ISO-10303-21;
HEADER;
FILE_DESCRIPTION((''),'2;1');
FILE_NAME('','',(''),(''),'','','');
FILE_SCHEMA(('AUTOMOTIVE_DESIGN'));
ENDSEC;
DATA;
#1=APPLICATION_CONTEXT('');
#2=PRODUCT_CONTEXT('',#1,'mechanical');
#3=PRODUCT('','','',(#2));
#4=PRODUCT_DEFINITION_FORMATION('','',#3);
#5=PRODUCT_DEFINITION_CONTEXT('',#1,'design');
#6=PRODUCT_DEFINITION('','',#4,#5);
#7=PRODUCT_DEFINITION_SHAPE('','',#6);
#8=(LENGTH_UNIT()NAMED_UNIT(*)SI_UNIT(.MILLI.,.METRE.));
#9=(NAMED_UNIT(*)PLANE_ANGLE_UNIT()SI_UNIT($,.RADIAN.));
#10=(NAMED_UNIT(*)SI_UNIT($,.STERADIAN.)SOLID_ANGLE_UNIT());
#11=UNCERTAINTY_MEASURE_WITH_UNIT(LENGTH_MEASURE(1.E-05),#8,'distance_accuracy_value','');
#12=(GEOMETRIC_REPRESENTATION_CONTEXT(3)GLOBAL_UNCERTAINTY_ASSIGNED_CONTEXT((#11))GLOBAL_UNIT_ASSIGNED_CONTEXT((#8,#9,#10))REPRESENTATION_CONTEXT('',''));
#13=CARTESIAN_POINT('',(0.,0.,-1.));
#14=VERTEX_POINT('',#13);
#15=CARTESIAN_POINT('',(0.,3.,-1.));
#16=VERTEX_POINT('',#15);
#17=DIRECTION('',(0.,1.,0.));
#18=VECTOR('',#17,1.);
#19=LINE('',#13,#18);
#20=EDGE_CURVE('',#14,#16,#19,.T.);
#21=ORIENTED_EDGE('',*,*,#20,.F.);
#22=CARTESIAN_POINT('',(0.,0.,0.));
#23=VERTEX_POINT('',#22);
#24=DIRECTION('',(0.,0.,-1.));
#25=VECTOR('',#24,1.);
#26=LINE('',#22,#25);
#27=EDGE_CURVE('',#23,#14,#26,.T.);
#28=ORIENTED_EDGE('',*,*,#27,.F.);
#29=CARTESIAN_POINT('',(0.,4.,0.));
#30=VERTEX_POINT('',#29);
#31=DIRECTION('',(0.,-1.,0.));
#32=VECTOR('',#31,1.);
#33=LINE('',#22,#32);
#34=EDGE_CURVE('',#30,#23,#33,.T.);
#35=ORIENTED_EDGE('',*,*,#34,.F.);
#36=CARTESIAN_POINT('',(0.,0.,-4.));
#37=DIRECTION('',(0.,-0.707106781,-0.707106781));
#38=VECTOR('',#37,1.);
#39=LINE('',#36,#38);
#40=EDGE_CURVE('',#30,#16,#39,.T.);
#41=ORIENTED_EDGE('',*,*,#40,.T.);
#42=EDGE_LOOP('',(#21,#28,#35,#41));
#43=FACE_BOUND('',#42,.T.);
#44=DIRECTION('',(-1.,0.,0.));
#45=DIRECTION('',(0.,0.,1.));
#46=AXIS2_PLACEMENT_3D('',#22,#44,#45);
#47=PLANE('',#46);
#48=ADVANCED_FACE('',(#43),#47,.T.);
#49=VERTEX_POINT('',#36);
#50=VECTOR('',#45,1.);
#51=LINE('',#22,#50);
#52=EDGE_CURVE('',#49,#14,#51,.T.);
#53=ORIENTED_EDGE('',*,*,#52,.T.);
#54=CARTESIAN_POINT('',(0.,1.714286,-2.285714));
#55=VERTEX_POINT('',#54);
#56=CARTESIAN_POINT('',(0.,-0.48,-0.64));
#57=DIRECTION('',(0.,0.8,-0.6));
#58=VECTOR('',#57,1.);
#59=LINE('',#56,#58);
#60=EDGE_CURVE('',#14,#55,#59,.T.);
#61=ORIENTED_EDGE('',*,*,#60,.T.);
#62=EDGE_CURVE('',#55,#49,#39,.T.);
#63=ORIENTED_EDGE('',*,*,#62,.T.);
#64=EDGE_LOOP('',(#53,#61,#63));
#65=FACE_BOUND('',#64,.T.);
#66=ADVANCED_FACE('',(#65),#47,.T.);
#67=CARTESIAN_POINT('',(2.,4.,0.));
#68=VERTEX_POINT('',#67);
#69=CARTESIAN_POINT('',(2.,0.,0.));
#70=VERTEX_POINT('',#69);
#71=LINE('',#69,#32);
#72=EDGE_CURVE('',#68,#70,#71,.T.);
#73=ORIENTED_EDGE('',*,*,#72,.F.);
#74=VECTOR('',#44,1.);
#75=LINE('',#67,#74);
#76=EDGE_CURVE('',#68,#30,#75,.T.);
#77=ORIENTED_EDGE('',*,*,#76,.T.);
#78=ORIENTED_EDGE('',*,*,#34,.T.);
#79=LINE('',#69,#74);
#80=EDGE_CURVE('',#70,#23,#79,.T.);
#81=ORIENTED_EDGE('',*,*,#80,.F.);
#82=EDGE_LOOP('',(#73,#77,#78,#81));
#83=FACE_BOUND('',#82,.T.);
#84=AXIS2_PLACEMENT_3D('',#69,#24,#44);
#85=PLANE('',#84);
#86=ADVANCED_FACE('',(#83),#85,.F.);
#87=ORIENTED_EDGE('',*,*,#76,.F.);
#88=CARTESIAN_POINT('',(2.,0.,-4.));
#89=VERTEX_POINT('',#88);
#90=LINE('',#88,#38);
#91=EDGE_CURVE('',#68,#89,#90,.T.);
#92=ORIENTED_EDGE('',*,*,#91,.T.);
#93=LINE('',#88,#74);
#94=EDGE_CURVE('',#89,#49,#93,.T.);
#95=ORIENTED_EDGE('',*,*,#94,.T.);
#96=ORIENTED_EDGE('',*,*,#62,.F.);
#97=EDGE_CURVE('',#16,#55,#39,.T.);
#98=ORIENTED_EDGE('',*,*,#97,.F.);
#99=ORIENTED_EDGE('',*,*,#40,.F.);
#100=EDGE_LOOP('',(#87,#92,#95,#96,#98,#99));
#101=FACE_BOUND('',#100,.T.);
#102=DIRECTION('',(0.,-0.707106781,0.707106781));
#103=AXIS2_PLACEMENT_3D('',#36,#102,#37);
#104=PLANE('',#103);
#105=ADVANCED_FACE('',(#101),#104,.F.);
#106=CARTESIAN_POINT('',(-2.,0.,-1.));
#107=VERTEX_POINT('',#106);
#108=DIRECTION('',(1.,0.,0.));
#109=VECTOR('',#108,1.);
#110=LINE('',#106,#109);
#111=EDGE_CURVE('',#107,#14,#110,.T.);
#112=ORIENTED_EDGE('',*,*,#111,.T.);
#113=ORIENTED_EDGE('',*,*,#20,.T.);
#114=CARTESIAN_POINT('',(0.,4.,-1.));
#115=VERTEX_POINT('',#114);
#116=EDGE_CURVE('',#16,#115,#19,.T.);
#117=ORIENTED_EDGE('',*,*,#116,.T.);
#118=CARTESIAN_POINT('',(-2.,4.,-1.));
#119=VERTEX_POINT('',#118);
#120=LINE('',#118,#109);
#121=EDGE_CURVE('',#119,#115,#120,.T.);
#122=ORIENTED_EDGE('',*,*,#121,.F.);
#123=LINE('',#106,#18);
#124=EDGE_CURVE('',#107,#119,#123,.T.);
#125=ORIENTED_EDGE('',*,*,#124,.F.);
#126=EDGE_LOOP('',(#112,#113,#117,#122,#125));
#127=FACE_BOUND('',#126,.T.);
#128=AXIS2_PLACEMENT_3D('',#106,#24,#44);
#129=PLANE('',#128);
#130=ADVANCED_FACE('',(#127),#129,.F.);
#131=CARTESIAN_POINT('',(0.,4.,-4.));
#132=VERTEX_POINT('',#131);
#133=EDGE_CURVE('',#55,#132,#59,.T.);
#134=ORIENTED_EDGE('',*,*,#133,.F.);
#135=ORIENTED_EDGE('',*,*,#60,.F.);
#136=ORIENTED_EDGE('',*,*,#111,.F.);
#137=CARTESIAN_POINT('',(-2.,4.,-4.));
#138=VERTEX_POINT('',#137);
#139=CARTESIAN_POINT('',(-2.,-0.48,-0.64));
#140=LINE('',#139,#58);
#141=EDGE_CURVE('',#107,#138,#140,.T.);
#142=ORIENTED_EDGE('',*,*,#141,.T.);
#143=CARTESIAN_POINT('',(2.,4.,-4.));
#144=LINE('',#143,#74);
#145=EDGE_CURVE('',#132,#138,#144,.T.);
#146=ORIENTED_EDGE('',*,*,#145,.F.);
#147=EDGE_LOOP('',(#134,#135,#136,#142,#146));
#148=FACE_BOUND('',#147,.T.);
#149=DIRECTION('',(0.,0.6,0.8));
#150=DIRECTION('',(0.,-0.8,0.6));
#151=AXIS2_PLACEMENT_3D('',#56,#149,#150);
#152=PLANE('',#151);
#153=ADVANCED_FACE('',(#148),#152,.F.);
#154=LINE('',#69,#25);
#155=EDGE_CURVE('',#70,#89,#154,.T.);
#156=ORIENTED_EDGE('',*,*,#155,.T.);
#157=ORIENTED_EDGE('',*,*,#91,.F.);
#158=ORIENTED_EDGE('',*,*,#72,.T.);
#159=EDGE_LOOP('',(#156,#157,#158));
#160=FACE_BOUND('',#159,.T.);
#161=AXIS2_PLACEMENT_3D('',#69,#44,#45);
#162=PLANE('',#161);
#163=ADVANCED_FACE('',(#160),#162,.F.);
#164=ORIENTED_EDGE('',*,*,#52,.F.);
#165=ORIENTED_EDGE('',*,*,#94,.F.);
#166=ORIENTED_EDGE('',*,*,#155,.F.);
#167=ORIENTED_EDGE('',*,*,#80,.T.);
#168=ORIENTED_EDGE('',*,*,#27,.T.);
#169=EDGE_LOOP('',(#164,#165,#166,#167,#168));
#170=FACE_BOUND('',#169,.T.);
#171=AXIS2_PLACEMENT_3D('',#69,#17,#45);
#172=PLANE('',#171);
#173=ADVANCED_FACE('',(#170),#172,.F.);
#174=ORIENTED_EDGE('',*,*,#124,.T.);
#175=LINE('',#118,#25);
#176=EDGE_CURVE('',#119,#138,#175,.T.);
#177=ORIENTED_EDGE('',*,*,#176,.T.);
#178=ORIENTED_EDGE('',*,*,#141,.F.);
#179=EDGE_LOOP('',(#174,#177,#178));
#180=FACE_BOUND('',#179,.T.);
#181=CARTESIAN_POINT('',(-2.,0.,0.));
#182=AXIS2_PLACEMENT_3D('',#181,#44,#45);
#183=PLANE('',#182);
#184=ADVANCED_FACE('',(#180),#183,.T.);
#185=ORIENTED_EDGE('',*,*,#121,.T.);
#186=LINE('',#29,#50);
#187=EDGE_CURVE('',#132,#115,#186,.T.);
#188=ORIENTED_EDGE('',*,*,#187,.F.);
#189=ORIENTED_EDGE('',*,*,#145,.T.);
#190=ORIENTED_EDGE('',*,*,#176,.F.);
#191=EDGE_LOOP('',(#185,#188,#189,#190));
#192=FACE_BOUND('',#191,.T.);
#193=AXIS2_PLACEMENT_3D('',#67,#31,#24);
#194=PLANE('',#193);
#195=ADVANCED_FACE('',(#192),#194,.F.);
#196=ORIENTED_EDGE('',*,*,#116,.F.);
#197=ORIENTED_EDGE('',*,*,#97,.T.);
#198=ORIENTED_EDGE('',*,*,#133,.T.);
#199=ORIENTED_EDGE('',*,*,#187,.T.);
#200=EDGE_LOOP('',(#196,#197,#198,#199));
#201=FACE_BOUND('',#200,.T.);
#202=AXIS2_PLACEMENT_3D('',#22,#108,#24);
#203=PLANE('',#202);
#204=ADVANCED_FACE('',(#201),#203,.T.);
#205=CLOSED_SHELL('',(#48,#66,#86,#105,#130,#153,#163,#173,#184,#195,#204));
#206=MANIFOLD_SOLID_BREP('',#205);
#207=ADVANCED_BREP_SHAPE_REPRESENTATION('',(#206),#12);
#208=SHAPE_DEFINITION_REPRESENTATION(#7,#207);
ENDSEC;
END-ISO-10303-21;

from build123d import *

# Parameters (mm, degrees)
SKETCH1_W           = 4
SKETCH1_H           = 4
BOSS_EXTRUDE1_DEPTH = 2
SKETCH2_W           = 3
SKETCH2_H           = 4
BOSS_EXTRUDE2_DEPTH = 2
CUT_EXTRUDE1_DEPTH  = 2
CUT_EXTRUDE2_DEPTH  = 2


with BuildPart() as part:
    # Sketch1 → Boss-Extrude1 (new body)
    with BuildSketch(Plane(origin=(0, 0, 0), x_dir=(0, 0, -1), z_dir=(1, 0, 0))):
        with Locations((2, 2)):
            Rectangle(SKETCH1_W, SKETCH1_H)
    extrude(amount=BOSS_EXTRUDE1_DEPTH)

    # Sketch2 → Boss-Extrude2 (add)
    with BuildSketch(Plane.ZY):
        with Locations((-2.5, 2)):
            Rectangle(SKETCH2_W, SKETCH2_H)
    extrude(amount=BOSS_EXTRUDE2_DEPTH)

    # Sketch3 → Cut-Extrude1 (cut)
    with BuildSketch(Plane(origin=(2, 0, 0), x_dir=(0, 0, -1), z_dir=(1, 0, 0))):
        Polygon((4, 0), (0, 4), (4, 4), align=None)
    extrude(amount=-CUT_EXTRUDE1_DEPTH, mode=Mode.SUBTRACT)

    # Sketch4 → Cut-Extrude2 (cut)
    with BuildSketch(Plane.ZY.offset(2)):
        Polygon((-1, 0), (-4, 4), (-4, 0), align=None)
    extrude(amount=-CUT_EXTRUDE2_DEPTH, mode=Mode.SUBTRACT)


solid = part.part
